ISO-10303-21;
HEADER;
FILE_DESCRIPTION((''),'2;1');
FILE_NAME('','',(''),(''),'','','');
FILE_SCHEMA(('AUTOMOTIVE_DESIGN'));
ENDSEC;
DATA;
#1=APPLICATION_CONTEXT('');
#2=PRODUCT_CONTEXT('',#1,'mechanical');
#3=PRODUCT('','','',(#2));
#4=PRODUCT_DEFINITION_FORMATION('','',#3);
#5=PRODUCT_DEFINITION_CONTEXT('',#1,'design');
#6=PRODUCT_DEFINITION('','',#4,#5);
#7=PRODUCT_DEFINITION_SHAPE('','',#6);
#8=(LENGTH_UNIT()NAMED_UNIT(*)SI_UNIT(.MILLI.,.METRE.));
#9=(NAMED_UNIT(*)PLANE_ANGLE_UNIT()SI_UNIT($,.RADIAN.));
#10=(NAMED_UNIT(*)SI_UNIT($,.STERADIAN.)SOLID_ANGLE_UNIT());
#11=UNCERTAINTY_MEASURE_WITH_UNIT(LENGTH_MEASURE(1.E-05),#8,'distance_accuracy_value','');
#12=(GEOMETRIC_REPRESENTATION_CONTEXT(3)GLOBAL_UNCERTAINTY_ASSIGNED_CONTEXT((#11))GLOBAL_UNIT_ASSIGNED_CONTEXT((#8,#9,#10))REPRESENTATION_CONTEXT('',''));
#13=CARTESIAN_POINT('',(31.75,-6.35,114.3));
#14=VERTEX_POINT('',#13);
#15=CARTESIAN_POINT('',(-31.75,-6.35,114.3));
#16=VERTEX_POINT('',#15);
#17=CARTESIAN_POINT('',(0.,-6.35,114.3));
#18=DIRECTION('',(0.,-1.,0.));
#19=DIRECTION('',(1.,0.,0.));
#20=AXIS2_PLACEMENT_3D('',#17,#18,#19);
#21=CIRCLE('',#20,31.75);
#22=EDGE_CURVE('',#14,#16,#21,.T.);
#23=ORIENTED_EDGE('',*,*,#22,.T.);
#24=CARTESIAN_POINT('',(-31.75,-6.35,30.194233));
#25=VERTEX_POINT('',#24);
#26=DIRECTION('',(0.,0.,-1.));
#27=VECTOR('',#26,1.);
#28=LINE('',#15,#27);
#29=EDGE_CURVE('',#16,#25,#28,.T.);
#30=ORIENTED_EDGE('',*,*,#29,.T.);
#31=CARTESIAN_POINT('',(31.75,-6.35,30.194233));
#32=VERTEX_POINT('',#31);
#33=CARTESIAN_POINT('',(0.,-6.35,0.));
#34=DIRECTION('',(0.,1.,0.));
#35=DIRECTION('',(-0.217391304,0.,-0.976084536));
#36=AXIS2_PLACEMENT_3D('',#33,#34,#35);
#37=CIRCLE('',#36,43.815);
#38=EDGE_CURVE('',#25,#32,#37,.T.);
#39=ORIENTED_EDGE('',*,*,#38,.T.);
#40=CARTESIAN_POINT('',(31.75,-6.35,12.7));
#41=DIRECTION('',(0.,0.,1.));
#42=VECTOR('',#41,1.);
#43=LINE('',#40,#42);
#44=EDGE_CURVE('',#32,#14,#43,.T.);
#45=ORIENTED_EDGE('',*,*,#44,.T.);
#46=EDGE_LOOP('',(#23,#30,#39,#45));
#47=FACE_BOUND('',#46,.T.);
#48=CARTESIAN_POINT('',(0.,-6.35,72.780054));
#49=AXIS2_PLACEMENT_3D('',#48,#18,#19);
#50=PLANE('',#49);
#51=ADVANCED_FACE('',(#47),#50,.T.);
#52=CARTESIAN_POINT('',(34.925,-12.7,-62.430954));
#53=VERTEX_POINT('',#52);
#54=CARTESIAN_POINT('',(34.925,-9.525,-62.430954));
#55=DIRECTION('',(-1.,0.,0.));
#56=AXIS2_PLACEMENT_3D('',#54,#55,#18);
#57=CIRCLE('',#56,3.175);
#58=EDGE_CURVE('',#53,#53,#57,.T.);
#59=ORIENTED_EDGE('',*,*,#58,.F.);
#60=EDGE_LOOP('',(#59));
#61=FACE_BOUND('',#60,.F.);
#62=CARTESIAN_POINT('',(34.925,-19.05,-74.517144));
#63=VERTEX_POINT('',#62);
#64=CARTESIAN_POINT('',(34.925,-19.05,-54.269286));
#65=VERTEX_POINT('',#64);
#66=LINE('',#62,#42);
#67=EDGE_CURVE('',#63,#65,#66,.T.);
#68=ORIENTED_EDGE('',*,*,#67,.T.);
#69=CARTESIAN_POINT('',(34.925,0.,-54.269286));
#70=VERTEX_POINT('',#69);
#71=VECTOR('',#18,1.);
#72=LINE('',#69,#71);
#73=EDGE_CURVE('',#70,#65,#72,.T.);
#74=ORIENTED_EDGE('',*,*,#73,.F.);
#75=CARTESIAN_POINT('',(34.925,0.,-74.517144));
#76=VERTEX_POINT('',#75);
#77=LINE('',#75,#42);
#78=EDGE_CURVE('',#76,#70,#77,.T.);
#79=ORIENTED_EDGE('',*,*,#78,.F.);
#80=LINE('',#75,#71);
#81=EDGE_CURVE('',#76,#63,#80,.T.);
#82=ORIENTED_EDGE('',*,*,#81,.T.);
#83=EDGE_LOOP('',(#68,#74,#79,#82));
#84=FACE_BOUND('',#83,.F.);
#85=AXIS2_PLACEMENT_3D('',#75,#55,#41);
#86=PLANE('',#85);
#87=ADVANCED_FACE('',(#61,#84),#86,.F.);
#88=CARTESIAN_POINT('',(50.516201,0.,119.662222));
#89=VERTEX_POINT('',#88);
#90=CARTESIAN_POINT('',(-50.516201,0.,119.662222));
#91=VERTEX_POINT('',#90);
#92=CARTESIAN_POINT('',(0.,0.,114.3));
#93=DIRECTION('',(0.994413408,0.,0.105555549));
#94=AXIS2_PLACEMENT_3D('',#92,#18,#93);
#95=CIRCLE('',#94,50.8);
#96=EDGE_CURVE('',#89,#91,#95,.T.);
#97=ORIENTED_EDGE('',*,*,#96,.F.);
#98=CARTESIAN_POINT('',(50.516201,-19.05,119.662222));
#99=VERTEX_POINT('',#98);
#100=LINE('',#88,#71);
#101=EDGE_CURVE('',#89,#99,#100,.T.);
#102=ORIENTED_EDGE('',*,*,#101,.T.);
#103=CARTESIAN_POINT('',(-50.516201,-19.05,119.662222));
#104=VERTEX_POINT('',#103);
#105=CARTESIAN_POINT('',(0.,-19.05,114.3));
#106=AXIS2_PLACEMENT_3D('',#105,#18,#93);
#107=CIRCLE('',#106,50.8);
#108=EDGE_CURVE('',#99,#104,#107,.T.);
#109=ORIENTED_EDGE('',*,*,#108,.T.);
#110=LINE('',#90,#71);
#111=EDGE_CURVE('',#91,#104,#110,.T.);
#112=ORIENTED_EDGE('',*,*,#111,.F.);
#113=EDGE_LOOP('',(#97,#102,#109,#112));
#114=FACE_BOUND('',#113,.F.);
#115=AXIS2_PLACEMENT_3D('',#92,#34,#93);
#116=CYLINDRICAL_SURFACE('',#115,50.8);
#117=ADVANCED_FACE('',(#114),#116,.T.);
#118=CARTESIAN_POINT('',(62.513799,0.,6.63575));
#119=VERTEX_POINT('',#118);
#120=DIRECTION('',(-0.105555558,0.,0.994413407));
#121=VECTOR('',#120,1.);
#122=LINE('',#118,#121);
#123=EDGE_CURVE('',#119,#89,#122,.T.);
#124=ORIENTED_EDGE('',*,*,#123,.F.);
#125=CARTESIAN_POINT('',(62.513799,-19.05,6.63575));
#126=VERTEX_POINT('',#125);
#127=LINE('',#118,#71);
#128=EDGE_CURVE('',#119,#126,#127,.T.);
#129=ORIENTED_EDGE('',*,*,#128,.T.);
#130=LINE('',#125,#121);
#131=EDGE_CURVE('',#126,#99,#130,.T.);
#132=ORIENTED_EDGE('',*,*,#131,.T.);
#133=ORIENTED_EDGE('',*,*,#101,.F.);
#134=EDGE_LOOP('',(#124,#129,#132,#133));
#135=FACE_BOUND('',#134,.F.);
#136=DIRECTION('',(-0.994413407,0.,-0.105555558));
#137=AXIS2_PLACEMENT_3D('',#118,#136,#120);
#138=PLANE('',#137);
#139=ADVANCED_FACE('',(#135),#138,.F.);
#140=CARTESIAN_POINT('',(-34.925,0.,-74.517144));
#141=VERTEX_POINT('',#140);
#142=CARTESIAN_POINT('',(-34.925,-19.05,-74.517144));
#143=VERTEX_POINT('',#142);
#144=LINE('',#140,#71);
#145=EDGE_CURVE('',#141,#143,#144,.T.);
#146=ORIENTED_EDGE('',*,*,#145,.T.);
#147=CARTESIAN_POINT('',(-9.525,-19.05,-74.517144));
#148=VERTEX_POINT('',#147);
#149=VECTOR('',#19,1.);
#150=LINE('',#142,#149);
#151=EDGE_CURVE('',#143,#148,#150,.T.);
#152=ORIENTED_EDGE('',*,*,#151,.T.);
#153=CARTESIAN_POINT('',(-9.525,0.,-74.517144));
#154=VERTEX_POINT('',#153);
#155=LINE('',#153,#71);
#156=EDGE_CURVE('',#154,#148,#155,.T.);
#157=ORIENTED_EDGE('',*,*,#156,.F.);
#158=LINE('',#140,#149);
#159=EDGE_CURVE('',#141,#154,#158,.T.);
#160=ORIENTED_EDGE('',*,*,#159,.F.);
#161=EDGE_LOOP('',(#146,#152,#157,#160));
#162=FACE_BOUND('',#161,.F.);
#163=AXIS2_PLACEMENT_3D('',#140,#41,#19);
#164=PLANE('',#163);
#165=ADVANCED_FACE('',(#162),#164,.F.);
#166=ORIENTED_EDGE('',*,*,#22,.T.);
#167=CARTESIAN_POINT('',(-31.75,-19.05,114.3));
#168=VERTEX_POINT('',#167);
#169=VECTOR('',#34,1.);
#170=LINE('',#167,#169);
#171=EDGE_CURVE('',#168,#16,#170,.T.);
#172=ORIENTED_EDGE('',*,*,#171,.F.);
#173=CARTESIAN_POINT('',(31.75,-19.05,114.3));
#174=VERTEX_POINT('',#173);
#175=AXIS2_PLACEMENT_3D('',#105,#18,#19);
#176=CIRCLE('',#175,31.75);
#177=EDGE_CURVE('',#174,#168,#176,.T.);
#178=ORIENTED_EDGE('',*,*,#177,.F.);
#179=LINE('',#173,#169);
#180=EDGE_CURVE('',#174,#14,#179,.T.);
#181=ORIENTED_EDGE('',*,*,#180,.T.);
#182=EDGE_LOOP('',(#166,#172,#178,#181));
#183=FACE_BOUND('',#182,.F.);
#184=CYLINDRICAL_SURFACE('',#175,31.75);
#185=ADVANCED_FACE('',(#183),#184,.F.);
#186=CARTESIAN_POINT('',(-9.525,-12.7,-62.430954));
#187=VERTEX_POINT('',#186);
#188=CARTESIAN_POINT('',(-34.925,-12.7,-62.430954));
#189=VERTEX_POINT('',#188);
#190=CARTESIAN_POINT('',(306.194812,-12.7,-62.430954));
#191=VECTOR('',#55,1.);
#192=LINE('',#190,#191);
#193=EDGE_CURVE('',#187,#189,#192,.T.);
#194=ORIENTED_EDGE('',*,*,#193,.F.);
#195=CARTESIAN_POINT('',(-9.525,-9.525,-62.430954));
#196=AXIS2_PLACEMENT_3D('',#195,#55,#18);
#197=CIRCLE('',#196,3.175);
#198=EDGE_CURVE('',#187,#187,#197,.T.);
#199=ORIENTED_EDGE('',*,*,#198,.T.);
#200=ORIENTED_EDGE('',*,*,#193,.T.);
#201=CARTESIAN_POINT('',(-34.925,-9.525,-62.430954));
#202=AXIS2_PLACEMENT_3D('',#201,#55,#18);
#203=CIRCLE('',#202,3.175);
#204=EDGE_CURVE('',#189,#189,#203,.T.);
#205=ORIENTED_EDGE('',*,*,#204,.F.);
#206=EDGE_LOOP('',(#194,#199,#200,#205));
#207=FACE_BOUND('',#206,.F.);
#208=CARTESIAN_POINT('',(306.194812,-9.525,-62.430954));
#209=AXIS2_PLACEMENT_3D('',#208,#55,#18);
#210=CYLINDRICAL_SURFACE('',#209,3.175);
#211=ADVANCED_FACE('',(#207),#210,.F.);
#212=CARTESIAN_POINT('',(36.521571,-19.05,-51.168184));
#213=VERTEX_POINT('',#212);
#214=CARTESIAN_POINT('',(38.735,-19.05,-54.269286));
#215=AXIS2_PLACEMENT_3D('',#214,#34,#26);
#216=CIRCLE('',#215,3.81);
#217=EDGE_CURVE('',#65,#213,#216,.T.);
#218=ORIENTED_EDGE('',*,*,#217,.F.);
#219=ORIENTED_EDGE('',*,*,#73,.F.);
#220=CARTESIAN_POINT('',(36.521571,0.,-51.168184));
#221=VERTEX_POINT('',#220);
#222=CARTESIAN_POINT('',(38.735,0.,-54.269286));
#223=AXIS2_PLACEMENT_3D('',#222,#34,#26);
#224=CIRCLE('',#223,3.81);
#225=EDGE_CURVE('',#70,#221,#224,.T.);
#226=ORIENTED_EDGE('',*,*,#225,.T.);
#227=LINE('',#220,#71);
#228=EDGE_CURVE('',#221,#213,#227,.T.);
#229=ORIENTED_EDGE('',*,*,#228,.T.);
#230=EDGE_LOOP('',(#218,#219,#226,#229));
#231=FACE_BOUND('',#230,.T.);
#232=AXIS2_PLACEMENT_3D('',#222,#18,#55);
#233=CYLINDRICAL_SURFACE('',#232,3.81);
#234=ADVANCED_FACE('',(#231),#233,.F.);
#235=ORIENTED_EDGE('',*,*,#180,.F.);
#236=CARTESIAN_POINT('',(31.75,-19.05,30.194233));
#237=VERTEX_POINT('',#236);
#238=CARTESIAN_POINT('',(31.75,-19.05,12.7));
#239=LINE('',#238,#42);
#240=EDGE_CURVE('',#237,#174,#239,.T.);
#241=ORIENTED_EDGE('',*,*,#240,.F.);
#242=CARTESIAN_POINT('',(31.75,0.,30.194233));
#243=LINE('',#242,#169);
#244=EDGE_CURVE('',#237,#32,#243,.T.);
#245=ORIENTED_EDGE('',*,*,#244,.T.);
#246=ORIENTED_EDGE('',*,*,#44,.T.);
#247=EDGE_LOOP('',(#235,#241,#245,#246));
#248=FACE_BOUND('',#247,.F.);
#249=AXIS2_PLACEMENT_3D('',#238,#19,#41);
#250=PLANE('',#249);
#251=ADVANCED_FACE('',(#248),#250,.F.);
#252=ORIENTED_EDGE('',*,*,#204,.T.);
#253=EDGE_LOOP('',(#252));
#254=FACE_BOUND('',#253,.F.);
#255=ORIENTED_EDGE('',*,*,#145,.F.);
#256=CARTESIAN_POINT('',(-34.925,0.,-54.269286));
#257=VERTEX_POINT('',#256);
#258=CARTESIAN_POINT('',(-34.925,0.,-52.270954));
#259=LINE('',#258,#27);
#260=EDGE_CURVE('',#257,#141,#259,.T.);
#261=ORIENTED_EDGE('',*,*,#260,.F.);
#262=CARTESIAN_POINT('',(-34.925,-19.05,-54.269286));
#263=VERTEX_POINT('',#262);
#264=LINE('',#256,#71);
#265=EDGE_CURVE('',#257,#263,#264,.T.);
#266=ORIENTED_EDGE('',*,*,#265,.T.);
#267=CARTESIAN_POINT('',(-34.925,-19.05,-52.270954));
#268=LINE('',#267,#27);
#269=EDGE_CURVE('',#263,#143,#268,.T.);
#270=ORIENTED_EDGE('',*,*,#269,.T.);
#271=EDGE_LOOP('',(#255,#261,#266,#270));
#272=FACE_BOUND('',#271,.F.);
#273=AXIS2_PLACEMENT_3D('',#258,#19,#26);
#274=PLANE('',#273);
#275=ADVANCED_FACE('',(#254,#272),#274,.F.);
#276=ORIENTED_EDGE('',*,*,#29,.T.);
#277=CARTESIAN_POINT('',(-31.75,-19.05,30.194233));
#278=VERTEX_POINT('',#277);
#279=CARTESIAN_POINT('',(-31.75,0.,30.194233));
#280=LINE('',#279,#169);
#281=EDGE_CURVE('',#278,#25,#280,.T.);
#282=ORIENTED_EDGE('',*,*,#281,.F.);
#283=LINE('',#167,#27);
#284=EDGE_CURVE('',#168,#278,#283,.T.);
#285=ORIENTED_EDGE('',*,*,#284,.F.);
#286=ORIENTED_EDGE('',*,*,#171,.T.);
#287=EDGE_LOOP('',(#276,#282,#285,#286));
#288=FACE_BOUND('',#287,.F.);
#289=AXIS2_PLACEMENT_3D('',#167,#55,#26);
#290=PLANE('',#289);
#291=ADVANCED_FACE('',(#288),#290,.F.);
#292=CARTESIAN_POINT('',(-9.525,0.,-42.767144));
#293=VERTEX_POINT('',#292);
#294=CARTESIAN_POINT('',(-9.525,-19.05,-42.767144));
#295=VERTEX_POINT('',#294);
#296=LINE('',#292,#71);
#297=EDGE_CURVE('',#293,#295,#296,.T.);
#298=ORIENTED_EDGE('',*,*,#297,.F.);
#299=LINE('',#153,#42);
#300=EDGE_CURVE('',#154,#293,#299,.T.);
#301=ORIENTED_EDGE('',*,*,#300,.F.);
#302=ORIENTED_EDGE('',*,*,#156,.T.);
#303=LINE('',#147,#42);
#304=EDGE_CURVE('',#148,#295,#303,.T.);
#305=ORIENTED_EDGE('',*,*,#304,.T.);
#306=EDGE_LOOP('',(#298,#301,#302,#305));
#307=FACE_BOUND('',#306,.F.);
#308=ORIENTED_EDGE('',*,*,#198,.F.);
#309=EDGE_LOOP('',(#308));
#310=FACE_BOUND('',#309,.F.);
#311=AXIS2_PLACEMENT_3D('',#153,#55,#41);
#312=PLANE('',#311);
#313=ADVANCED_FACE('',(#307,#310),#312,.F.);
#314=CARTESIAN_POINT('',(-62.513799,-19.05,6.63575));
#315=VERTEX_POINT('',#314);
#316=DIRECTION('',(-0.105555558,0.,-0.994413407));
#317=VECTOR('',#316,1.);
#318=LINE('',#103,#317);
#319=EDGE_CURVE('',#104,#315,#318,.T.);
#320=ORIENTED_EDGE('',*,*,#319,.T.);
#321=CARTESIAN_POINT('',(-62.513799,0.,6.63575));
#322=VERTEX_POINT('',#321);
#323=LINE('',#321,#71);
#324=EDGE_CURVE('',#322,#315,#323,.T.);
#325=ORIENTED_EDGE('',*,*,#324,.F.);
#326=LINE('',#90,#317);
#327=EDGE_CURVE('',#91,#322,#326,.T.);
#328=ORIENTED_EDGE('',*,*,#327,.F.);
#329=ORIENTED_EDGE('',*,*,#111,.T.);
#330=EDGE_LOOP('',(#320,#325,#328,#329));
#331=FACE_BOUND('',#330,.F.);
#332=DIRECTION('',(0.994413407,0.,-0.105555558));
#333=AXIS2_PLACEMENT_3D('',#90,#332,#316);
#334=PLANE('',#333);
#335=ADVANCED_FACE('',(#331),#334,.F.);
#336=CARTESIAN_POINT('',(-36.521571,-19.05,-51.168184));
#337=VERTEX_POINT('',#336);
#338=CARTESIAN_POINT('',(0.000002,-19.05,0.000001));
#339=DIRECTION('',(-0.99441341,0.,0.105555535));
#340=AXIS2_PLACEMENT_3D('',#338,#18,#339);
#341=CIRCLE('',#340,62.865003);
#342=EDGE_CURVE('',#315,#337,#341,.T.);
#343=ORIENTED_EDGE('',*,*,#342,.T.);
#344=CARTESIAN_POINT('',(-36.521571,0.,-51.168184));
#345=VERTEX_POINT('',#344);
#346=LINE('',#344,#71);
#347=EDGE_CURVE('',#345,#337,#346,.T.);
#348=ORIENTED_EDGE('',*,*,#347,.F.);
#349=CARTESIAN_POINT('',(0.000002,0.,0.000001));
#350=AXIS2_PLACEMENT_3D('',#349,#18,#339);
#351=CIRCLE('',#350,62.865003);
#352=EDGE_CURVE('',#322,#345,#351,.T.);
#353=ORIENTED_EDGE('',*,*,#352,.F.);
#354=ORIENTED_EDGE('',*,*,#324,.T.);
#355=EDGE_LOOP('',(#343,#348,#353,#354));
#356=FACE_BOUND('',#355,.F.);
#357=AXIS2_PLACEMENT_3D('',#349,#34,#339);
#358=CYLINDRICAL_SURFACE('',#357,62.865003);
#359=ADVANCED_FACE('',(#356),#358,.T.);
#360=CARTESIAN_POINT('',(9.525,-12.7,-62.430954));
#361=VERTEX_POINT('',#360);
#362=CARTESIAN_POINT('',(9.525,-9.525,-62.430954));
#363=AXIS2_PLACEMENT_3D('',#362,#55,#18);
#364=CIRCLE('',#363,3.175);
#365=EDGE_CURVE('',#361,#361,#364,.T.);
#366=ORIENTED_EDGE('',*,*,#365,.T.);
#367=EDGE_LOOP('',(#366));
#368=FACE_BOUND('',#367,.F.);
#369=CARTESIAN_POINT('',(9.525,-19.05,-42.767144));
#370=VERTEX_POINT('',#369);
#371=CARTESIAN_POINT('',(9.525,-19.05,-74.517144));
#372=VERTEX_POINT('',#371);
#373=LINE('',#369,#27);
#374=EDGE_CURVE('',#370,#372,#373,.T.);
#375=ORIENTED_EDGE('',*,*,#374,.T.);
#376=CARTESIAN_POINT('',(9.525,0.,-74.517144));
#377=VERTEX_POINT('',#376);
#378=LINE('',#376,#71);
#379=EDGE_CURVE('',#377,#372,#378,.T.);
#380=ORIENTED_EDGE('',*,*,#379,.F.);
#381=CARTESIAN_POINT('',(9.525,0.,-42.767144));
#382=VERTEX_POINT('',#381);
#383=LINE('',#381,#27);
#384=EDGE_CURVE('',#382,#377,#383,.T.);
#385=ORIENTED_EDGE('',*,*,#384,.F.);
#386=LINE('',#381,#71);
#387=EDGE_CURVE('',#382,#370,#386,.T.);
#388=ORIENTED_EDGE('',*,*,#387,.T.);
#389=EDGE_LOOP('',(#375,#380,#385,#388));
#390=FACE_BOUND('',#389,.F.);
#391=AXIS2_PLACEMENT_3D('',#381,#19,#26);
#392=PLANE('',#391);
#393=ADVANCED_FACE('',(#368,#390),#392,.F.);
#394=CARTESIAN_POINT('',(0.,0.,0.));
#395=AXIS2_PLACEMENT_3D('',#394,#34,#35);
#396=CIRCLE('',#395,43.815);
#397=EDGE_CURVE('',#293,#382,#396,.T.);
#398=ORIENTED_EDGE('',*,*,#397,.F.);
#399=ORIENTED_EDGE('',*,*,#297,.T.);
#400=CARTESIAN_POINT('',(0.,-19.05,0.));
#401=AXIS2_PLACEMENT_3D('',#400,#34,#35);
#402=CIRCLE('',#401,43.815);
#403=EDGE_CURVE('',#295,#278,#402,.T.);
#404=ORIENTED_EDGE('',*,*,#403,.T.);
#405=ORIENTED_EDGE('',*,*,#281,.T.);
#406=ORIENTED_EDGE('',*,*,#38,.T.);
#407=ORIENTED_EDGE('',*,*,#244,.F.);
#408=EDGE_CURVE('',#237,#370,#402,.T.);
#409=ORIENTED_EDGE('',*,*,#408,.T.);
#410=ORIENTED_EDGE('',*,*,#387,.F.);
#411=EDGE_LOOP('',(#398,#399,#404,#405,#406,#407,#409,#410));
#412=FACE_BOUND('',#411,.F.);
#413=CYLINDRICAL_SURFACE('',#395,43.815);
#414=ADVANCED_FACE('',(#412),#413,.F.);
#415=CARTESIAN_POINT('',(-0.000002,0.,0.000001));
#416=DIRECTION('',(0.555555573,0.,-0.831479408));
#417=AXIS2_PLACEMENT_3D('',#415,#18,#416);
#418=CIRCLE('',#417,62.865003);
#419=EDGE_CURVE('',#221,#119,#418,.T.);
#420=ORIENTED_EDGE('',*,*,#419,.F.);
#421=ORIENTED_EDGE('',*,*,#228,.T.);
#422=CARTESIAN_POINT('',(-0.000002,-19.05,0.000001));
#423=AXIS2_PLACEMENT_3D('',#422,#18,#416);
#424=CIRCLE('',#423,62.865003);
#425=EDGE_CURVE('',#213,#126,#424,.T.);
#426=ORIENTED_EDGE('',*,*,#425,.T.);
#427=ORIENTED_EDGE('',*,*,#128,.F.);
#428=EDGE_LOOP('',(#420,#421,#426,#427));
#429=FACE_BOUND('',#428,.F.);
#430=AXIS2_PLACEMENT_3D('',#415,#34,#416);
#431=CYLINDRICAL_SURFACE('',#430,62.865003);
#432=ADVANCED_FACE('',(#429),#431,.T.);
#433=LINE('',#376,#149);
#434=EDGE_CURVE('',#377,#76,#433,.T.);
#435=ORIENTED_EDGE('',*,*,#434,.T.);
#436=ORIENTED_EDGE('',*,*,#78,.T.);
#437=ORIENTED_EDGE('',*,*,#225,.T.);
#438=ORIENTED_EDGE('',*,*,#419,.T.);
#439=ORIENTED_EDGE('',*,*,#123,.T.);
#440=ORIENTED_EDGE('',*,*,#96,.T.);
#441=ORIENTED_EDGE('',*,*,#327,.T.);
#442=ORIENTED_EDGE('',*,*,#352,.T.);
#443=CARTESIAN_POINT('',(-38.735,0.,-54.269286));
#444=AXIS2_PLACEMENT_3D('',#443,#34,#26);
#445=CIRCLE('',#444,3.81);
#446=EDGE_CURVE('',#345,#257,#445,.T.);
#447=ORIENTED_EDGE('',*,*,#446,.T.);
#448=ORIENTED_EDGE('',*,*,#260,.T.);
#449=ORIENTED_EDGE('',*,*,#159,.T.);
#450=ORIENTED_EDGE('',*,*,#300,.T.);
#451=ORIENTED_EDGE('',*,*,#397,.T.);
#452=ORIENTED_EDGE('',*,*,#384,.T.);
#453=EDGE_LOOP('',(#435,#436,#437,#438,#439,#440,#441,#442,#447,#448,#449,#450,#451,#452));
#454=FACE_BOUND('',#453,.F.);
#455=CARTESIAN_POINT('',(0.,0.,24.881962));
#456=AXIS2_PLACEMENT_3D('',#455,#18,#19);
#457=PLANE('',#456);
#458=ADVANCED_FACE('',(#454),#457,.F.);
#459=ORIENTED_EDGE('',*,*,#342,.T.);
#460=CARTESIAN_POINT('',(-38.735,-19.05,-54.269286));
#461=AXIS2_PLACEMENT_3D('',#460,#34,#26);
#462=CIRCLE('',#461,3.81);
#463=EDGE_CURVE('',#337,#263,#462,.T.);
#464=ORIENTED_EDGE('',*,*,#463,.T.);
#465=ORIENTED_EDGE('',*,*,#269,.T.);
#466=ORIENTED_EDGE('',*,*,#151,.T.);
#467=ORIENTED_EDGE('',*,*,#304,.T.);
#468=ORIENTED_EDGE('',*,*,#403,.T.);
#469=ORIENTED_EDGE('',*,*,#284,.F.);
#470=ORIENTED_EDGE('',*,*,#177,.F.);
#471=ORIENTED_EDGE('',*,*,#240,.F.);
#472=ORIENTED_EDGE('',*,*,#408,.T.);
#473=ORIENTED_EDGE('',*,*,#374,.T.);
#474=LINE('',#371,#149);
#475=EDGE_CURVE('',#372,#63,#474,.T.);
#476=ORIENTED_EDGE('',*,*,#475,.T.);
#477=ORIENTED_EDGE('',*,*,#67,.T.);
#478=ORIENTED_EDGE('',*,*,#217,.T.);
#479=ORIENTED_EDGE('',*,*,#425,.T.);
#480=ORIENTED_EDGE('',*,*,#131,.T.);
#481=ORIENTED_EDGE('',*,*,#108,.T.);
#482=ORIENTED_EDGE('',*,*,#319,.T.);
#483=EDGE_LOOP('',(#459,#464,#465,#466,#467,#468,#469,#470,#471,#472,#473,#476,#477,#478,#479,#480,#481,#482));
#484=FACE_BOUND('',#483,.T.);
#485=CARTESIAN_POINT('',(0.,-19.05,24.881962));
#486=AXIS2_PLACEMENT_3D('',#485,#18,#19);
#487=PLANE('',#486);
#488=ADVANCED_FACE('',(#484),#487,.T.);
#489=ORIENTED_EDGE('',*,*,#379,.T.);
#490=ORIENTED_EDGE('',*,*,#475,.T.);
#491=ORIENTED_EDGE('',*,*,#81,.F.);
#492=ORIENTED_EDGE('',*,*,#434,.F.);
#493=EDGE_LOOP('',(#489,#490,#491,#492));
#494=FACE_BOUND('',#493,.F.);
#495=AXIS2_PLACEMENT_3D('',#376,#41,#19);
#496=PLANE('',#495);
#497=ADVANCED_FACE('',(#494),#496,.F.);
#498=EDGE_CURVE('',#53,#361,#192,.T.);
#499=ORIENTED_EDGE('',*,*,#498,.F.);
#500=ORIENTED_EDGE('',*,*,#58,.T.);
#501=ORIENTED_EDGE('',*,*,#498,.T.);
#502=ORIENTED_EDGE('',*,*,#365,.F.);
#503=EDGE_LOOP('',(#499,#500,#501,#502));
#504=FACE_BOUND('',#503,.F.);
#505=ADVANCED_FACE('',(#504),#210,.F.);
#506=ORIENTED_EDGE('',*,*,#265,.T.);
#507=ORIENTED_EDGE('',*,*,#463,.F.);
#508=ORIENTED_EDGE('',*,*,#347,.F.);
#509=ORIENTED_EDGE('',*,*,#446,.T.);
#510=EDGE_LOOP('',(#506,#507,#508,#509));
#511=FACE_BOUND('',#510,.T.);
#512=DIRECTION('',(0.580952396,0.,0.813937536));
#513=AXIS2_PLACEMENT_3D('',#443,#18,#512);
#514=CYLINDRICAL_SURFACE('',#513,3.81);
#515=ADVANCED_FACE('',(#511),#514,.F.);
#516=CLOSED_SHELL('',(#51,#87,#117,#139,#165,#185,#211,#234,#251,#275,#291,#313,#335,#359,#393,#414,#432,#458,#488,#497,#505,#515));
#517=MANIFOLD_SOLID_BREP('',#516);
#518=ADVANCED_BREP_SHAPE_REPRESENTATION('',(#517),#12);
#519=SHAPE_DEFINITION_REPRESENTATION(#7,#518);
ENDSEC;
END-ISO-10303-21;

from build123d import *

# Parameters (mm, degrees)
F1_DEPTH = 19.05
F3_DEPTH = 12.7
F5_D     = 6.35
F6_R     = 3.81


with BuildPart() as f1:
    # F0 (on Front) → F1 (new body)
    with BuildSketch(Plane.XZ):
        with BuildLine():
            ThreePointArc((-9.525, -42.767144), (0, 43.815), (9.525, -42.767144))
            Line((9.525, -42.767144), (9.525, -74.517144))
            Line((9.525, -74.517144), (34.925, -74.517144))
            Line((34.925, -74.517144), (34.925, -52.270954))
            ThreePointArc((34.925, -52.270954), (56.930482, -26.663241), (62.513799, 6.63575))
            Line((62.513799, 6.63575), (50.516201, 119.662222))
            ThreePointArc((50.516201, 119.662222), (0, 165.1), (-50.516201, 119.662222))
            Line((-50.516201, 119.662222), (-62.513799, 6.63575))
            ThreePointArc((-62.513799, 6.63575), (-56.930482, -26.663241), (-34.925, -52.270954))
            Line((-34.925, -52.270954), (-34.925, -74.517144))
            Line((-34.925, -74.517144), (-9.525, -74.517144))
            Line((-9.525, -74.517144), (-9.525, -42.767144))
        make_face()
    extrude(amount=F1_DEPTH)

    # F2 (on face) → F3 (cut)
    with BuildSketch(Plane.XZ.offset(19.05)):
        with BuildLine():
            Line((31.75, 12.7), (31.75, 114.3))
            ThreePointArc((31.75, 114.3), (0, 146.05), (-31.75, 114.3))
            Line((-31.75, 114.3), (-31.75, 12.7))
            Line((-31.75, 12.7), (31.75, 12.7))
        make_face()
    extrude(amount=-F3_DEPTH, mode=Mode.SUBTRACT)

    # F5 (through all)
    with Locations(Plane.YZ.offset(34.925)):
        with Locations((-9.525, -62.430954)):
            Hole(F5_D / 2)

    # F6
    f6_edges = [f1.edges().sort_by_distance(p)[0] for p in [
        (34.925, -9.525, -52.270954),
        (-34.925, -9.525, -52.270954),
    ]]
    fillet(f6_edges, radius=F6_R)


solid = f1.part
